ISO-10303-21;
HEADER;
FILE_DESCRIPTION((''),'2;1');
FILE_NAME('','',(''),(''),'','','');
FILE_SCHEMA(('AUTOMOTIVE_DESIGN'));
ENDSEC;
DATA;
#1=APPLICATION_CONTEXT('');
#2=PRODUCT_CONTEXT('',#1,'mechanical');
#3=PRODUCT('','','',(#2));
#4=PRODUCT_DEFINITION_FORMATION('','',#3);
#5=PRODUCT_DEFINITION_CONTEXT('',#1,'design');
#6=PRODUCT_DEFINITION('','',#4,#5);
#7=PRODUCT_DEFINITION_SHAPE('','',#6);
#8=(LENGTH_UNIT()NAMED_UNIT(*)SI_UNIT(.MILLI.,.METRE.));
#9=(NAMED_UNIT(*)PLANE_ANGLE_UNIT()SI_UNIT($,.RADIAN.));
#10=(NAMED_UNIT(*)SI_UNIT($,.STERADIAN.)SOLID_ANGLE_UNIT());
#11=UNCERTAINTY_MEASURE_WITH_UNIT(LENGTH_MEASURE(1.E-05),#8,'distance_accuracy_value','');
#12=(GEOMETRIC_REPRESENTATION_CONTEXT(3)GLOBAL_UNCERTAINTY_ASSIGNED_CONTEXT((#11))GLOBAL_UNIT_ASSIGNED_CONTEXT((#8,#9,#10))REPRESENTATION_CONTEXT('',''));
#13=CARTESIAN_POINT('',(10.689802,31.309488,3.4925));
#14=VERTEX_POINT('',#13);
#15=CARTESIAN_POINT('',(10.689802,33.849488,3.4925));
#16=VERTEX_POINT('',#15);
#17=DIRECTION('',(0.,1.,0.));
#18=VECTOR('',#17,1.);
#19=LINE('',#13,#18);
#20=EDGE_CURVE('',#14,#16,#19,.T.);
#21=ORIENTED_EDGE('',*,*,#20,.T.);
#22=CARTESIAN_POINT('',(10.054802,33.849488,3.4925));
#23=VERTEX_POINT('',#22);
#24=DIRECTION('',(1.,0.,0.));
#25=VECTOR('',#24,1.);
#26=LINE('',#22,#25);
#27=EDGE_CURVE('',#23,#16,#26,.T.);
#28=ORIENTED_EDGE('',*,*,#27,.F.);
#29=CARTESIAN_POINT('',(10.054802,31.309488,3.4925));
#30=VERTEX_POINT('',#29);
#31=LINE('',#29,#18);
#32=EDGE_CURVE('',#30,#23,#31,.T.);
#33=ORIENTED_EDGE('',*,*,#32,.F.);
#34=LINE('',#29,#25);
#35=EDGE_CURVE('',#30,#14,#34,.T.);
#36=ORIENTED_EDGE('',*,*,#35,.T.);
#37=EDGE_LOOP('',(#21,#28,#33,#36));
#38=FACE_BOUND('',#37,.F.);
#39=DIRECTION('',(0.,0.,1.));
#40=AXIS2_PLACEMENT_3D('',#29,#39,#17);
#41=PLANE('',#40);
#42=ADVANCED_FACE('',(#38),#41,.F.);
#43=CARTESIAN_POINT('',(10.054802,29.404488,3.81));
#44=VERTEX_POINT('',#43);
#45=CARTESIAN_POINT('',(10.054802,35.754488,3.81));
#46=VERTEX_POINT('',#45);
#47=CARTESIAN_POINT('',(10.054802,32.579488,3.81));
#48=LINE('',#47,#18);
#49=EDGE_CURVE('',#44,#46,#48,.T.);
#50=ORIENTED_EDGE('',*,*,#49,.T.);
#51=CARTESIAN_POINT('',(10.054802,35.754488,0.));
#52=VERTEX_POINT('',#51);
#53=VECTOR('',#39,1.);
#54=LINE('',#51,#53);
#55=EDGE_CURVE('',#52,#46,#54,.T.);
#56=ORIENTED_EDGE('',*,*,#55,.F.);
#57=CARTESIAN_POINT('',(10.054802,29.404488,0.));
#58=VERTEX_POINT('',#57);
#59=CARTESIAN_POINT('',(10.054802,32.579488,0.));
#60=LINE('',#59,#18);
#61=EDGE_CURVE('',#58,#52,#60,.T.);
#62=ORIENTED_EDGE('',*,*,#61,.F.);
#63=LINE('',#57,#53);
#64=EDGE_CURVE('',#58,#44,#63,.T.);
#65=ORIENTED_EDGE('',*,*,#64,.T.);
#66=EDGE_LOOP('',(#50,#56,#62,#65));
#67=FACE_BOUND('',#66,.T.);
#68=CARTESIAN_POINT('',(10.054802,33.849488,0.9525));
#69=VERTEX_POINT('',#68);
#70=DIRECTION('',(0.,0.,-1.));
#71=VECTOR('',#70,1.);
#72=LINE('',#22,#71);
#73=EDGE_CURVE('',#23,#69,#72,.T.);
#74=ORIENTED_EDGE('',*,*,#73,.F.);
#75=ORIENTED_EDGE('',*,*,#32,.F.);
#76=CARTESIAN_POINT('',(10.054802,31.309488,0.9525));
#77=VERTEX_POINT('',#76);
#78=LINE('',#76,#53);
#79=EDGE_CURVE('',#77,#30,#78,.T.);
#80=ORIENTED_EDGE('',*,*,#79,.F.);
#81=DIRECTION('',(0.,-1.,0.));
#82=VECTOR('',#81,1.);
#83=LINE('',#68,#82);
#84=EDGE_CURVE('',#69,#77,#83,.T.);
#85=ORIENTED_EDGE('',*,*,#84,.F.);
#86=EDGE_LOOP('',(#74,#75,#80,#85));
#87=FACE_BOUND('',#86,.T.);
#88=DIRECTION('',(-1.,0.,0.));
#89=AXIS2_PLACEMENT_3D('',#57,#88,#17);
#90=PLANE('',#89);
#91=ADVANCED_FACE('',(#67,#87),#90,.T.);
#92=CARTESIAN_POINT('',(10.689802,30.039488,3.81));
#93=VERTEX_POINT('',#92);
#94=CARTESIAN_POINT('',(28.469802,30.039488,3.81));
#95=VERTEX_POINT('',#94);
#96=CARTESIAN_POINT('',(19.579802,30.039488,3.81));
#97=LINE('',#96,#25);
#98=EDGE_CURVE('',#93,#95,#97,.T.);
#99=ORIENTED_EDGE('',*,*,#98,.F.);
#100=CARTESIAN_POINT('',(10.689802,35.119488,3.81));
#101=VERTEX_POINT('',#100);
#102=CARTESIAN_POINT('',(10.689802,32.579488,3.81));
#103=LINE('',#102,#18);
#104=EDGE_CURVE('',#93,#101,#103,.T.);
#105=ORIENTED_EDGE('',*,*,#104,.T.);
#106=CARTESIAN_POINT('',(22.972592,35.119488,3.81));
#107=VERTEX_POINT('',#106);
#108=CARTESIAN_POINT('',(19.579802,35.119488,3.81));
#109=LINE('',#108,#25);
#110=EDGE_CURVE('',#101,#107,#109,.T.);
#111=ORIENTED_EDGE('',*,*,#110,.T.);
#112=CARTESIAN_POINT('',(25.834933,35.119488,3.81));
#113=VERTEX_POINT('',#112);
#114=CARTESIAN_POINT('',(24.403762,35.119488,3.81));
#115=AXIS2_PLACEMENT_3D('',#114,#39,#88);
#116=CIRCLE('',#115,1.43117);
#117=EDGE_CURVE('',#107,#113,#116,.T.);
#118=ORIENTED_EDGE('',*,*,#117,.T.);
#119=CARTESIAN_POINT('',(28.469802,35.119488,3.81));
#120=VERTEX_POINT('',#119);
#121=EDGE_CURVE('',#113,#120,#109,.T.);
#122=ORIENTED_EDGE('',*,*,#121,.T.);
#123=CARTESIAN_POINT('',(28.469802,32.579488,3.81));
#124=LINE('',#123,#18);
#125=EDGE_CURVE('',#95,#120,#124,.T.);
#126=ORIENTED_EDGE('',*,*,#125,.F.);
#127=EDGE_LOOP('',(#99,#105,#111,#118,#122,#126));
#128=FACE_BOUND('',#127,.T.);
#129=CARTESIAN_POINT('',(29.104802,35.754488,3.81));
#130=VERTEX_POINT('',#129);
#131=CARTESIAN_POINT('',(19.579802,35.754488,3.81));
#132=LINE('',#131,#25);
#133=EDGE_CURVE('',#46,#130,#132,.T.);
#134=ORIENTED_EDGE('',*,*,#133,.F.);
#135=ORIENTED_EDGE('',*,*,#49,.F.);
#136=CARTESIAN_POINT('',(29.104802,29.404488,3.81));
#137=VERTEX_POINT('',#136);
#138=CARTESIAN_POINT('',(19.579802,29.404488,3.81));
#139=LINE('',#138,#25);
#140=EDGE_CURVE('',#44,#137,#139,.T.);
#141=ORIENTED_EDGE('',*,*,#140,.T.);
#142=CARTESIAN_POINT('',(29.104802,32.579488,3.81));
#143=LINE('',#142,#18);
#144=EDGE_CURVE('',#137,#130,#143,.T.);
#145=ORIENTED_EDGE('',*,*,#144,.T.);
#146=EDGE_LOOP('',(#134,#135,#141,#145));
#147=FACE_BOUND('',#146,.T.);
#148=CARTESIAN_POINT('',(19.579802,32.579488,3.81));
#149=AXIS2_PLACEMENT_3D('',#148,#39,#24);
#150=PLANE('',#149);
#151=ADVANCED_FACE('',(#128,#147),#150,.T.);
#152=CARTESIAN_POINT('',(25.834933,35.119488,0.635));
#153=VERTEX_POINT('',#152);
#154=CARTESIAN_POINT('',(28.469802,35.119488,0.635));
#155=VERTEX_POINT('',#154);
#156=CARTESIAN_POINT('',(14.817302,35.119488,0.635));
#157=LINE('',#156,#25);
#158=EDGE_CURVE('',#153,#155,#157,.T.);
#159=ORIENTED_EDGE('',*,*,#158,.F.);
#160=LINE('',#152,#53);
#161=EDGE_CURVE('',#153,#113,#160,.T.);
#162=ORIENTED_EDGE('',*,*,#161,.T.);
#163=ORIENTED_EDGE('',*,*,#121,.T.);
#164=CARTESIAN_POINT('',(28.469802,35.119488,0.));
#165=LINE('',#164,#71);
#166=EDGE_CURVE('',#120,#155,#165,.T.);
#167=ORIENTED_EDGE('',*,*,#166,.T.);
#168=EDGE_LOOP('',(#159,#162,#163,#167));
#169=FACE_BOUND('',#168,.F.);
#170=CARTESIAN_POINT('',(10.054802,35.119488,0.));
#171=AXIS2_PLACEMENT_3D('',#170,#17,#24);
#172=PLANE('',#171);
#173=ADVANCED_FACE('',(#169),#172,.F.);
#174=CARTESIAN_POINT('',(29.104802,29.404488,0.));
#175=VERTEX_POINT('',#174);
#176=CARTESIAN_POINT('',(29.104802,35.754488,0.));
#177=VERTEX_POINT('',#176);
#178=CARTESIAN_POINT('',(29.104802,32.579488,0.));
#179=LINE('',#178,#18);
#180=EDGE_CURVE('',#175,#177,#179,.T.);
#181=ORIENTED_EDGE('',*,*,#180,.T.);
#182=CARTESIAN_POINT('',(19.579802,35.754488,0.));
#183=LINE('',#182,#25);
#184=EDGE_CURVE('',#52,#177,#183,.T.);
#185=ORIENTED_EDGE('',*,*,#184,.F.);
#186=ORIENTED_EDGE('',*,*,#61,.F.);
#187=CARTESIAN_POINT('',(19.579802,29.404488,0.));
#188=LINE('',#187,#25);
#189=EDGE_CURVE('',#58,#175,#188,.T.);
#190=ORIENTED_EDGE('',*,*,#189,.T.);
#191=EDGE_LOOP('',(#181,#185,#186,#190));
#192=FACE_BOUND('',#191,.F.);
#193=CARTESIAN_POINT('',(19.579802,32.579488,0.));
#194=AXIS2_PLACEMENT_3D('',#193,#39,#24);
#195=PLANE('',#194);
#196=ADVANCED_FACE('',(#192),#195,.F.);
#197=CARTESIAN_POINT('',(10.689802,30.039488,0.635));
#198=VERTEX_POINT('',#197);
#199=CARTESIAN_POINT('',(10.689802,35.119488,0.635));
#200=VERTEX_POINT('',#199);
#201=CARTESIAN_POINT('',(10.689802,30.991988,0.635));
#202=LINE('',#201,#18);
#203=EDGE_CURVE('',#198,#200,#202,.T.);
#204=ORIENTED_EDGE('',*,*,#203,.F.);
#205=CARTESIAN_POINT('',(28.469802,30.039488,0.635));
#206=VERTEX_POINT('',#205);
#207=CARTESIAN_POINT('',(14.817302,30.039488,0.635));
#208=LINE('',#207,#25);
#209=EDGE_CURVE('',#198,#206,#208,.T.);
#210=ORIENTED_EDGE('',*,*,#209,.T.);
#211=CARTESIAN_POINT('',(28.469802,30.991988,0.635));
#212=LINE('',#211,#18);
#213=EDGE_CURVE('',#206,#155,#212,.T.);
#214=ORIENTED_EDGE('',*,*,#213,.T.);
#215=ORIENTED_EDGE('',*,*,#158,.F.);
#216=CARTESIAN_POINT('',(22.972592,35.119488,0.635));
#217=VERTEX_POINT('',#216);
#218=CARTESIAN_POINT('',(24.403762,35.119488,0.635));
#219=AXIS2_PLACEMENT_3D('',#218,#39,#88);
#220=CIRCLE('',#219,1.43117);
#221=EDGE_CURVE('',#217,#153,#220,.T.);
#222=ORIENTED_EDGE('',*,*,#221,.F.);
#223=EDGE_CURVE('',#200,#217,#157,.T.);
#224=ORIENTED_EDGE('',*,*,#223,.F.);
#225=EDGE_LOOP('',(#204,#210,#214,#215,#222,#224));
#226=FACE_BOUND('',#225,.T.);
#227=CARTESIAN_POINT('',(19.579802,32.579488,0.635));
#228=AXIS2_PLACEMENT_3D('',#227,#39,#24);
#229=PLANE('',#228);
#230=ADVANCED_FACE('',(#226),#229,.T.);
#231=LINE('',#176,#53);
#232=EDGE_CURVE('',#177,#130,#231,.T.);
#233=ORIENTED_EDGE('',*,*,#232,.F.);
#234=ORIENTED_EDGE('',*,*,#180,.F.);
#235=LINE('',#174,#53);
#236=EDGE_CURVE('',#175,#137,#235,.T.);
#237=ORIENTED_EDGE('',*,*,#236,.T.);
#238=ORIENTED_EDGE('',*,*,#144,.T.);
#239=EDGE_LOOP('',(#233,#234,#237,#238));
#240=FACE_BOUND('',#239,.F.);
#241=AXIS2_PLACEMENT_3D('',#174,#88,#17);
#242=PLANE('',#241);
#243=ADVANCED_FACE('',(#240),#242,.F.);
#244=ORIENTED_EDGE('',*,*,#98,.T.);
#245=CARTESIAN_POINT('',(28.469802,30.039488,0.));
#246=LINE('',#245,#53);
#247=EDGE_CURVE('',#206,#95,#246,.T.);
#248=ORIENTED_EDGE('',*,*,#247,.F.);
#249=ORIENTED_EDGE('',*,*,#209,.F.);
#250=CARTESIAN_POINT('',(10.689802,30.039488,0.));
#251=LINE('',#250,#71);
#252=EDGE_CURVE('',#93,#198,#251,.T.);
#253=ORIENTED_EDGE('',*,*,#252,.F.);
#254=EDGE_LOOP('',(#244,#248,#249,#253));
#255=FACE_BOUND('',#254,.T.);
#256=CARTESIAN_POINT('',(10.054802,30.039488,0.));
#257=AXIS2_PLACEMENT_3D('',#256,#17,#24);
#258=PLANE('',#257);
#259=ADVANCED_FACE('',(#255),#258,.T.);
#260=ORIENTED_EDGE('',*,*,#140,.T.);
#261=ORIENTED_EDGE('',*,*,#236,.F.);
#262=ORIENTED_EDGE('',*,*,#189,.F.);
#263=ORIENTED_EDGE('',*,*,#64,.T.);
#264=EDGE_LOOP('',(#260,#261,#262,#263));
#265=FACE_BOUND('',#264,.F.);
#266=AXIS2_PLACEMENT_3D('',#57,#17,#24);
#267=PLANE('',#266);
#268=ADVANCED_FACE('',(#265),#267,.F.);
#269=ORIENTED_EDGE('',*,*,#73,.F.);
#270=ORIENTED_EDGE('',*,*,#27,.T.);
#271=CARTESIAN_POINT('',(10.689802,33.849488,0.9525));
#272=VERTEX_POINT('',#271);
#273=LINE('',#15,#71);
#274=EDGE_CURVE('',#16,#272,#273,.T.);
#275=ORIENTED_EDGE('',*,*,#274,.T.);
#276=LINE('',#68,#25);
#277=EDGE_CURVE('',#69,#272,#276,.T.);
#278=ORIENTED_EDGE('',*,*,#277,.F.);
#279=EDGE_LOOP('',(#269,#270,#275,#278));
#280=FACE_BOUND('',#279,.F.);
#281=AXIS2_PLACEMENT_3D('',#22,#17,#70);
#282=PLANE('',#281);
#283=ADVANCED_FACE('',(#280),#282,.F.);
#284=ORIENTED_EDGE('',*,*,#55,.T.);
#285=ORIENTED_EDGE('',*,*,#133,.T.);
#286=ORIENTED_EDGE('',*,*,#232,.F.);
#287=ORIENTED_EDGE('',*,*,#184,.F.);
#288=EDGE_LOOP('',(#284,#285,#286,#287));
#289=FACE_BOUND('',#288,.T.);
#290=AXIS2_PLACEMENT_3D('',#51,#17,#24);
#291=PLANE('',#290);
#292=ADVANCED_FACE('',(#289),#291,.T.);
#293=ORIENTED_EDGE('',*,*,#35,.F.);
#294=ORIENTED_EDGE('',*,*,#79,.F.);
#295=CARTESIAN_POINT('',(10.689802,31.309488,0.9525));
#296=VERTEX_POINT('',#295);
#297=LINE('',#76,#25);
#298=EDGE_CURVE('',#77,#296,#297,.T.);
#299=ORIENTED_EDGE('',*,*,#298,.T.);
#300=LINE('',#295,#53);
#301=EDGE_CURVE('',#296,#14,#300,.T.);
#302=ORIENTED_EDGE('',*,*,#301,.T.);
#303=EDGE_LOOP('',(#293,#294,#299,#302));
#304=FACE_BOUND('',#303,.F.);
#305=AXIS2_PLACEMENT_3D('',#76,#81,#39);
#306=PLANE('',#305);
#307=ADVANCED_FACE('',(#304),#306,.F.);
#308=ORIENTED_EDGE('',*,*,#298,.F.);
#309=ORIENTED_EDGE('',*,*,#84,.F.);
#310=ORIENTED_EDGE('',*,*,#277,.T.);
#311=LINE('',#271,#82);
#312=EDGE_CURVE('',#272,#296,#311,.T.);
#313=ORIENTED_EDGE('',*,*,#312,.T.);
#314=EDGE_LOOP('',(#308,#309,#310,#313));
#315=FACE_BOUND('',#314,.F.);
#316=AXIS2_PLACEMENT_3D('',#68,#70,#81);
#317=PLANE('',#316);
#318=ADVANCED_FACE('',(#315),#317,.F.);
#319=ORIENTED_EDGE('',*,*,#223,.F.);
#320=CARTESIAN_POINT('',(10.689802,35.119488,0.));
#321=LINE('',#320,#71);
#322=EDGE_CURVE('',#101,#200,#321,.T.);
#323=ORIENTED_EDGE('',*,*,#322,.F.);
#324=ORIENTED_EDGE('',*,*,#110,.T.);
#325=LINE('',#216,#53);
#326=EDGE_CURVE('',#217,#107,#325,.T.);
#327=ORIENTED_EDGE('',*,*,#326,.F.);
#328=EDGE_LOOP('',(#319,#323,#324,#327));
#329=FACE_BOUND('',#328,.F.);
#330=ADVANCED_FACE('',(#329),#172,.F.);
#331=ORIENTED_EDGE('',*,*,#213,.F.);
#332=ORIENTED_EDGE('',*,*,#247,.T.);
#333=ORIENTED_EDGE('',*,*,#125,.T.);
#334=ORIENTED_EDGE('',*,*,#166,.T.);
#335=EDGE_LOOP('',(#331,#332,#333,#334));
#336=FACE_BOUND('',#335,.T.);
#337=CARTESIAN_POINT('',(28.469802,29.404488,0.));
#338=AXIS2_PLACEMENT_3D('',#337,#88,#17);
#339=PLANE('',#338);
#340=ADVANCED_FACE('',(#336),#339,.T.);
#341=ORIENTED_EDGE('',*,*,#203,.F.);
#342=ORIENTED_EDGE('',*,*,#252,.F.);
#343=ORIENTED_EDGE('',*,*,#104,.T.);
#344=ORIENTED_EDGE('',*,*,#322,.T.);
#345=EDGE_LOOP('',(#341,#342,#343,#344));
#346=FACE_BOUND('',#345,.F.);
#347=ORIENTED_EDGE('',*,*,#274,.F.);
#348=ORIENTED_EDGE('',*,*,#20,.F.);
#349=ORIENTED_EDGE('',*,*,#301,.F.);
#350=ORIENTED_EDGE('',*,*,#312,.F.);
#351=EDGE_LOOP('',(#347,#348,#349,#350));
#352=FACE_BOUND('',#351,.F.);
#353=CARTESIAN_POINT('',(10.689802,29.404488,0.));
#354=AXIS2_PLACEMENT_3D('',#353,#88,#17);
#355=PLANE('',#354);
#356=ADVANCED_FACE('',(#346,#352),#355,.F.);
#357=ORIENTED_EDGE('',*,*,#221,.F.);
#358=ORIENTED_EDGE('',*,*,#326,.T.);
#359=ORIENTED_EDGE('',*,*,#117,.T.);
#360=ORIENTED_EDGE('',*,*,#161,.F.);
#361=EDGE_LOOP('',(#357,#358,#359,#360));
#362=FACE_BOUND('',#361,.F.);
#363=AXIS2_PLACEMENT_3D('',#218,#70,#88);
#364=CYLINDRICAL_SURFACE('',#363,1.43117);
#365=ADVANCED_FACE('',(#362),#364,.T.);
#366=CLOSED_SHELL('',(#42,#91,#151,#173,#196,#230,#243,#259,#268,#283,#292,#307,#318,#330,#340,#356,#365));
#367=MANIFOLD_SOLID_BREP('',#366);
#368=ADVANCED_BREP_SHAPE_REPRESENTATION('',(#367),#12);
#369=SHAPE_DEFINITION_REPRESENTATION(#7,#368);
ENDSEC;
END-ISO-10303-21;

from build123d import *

# Parameters (mm, degrees)
F0_W     = 19.05
F0_H     = 6.35
F1_DEPTH = 3.81
F2_T     = -0.635
F4_DEPTH = 3.175
F5_W     = 1.27
F5_H     = 1.27
F6_DEPTH = 0.635


with BuildPart() as f1:
    # F0 (on Top) → F1 (new body)
    with BuildSketch(Plane.XY):
        with Locations((19.5798018083, 32.579488121)):
            Rectangle(F0_W, F0_H)
    extrude(amount=F1_DEPTH)

    # F2
    f2_openings = [f1.faces().sort_by_distance(p)[0] for p in [
        (19.579802, 32.579488, 3.81),
    ]]
    offset(amount=F2_T, openings=f2_openings)

    # F3 (on face) → F4 (join)
    with BuildSketch(Plane.XY.offset(0.635)):
        with BuildLine():
            ThreePointArc((22.9725916315, 35.119488121), (24.4037620723, 33.6883176802), (25.8349325131, 35.119488121))
            Line((25.8349325131, 35.119488121), (22.9725916315, 35.119488121))
        make_face()
    extrude(amount=F4_DEPTH)

    # F5 (on face) → F6 (cut)
    with BuildSketch(Plane(origin=(10.0548018083, 0, 0), x_dir=(0, -1, 0), z_dir=(-1, 0, 0))):
        with Locations((-33.214488121, 2.8575)):
            Rectangle(F5_W, F5_H)
        with Locations((-31.944488121, 2.8575)):
            Rectangle(F5_W, F5_H)
        with Locations((-31.944488121, 1.5875)):
            Rectangle(F5_W, F5_H)
        with Locations((-33.214488121, 1.5875)):
            Rectangle(F5_W, F5_H)
    extrude(amount=-F6_DEPTH, mode=Mode.SUBTRACT)


solid = f1.part
